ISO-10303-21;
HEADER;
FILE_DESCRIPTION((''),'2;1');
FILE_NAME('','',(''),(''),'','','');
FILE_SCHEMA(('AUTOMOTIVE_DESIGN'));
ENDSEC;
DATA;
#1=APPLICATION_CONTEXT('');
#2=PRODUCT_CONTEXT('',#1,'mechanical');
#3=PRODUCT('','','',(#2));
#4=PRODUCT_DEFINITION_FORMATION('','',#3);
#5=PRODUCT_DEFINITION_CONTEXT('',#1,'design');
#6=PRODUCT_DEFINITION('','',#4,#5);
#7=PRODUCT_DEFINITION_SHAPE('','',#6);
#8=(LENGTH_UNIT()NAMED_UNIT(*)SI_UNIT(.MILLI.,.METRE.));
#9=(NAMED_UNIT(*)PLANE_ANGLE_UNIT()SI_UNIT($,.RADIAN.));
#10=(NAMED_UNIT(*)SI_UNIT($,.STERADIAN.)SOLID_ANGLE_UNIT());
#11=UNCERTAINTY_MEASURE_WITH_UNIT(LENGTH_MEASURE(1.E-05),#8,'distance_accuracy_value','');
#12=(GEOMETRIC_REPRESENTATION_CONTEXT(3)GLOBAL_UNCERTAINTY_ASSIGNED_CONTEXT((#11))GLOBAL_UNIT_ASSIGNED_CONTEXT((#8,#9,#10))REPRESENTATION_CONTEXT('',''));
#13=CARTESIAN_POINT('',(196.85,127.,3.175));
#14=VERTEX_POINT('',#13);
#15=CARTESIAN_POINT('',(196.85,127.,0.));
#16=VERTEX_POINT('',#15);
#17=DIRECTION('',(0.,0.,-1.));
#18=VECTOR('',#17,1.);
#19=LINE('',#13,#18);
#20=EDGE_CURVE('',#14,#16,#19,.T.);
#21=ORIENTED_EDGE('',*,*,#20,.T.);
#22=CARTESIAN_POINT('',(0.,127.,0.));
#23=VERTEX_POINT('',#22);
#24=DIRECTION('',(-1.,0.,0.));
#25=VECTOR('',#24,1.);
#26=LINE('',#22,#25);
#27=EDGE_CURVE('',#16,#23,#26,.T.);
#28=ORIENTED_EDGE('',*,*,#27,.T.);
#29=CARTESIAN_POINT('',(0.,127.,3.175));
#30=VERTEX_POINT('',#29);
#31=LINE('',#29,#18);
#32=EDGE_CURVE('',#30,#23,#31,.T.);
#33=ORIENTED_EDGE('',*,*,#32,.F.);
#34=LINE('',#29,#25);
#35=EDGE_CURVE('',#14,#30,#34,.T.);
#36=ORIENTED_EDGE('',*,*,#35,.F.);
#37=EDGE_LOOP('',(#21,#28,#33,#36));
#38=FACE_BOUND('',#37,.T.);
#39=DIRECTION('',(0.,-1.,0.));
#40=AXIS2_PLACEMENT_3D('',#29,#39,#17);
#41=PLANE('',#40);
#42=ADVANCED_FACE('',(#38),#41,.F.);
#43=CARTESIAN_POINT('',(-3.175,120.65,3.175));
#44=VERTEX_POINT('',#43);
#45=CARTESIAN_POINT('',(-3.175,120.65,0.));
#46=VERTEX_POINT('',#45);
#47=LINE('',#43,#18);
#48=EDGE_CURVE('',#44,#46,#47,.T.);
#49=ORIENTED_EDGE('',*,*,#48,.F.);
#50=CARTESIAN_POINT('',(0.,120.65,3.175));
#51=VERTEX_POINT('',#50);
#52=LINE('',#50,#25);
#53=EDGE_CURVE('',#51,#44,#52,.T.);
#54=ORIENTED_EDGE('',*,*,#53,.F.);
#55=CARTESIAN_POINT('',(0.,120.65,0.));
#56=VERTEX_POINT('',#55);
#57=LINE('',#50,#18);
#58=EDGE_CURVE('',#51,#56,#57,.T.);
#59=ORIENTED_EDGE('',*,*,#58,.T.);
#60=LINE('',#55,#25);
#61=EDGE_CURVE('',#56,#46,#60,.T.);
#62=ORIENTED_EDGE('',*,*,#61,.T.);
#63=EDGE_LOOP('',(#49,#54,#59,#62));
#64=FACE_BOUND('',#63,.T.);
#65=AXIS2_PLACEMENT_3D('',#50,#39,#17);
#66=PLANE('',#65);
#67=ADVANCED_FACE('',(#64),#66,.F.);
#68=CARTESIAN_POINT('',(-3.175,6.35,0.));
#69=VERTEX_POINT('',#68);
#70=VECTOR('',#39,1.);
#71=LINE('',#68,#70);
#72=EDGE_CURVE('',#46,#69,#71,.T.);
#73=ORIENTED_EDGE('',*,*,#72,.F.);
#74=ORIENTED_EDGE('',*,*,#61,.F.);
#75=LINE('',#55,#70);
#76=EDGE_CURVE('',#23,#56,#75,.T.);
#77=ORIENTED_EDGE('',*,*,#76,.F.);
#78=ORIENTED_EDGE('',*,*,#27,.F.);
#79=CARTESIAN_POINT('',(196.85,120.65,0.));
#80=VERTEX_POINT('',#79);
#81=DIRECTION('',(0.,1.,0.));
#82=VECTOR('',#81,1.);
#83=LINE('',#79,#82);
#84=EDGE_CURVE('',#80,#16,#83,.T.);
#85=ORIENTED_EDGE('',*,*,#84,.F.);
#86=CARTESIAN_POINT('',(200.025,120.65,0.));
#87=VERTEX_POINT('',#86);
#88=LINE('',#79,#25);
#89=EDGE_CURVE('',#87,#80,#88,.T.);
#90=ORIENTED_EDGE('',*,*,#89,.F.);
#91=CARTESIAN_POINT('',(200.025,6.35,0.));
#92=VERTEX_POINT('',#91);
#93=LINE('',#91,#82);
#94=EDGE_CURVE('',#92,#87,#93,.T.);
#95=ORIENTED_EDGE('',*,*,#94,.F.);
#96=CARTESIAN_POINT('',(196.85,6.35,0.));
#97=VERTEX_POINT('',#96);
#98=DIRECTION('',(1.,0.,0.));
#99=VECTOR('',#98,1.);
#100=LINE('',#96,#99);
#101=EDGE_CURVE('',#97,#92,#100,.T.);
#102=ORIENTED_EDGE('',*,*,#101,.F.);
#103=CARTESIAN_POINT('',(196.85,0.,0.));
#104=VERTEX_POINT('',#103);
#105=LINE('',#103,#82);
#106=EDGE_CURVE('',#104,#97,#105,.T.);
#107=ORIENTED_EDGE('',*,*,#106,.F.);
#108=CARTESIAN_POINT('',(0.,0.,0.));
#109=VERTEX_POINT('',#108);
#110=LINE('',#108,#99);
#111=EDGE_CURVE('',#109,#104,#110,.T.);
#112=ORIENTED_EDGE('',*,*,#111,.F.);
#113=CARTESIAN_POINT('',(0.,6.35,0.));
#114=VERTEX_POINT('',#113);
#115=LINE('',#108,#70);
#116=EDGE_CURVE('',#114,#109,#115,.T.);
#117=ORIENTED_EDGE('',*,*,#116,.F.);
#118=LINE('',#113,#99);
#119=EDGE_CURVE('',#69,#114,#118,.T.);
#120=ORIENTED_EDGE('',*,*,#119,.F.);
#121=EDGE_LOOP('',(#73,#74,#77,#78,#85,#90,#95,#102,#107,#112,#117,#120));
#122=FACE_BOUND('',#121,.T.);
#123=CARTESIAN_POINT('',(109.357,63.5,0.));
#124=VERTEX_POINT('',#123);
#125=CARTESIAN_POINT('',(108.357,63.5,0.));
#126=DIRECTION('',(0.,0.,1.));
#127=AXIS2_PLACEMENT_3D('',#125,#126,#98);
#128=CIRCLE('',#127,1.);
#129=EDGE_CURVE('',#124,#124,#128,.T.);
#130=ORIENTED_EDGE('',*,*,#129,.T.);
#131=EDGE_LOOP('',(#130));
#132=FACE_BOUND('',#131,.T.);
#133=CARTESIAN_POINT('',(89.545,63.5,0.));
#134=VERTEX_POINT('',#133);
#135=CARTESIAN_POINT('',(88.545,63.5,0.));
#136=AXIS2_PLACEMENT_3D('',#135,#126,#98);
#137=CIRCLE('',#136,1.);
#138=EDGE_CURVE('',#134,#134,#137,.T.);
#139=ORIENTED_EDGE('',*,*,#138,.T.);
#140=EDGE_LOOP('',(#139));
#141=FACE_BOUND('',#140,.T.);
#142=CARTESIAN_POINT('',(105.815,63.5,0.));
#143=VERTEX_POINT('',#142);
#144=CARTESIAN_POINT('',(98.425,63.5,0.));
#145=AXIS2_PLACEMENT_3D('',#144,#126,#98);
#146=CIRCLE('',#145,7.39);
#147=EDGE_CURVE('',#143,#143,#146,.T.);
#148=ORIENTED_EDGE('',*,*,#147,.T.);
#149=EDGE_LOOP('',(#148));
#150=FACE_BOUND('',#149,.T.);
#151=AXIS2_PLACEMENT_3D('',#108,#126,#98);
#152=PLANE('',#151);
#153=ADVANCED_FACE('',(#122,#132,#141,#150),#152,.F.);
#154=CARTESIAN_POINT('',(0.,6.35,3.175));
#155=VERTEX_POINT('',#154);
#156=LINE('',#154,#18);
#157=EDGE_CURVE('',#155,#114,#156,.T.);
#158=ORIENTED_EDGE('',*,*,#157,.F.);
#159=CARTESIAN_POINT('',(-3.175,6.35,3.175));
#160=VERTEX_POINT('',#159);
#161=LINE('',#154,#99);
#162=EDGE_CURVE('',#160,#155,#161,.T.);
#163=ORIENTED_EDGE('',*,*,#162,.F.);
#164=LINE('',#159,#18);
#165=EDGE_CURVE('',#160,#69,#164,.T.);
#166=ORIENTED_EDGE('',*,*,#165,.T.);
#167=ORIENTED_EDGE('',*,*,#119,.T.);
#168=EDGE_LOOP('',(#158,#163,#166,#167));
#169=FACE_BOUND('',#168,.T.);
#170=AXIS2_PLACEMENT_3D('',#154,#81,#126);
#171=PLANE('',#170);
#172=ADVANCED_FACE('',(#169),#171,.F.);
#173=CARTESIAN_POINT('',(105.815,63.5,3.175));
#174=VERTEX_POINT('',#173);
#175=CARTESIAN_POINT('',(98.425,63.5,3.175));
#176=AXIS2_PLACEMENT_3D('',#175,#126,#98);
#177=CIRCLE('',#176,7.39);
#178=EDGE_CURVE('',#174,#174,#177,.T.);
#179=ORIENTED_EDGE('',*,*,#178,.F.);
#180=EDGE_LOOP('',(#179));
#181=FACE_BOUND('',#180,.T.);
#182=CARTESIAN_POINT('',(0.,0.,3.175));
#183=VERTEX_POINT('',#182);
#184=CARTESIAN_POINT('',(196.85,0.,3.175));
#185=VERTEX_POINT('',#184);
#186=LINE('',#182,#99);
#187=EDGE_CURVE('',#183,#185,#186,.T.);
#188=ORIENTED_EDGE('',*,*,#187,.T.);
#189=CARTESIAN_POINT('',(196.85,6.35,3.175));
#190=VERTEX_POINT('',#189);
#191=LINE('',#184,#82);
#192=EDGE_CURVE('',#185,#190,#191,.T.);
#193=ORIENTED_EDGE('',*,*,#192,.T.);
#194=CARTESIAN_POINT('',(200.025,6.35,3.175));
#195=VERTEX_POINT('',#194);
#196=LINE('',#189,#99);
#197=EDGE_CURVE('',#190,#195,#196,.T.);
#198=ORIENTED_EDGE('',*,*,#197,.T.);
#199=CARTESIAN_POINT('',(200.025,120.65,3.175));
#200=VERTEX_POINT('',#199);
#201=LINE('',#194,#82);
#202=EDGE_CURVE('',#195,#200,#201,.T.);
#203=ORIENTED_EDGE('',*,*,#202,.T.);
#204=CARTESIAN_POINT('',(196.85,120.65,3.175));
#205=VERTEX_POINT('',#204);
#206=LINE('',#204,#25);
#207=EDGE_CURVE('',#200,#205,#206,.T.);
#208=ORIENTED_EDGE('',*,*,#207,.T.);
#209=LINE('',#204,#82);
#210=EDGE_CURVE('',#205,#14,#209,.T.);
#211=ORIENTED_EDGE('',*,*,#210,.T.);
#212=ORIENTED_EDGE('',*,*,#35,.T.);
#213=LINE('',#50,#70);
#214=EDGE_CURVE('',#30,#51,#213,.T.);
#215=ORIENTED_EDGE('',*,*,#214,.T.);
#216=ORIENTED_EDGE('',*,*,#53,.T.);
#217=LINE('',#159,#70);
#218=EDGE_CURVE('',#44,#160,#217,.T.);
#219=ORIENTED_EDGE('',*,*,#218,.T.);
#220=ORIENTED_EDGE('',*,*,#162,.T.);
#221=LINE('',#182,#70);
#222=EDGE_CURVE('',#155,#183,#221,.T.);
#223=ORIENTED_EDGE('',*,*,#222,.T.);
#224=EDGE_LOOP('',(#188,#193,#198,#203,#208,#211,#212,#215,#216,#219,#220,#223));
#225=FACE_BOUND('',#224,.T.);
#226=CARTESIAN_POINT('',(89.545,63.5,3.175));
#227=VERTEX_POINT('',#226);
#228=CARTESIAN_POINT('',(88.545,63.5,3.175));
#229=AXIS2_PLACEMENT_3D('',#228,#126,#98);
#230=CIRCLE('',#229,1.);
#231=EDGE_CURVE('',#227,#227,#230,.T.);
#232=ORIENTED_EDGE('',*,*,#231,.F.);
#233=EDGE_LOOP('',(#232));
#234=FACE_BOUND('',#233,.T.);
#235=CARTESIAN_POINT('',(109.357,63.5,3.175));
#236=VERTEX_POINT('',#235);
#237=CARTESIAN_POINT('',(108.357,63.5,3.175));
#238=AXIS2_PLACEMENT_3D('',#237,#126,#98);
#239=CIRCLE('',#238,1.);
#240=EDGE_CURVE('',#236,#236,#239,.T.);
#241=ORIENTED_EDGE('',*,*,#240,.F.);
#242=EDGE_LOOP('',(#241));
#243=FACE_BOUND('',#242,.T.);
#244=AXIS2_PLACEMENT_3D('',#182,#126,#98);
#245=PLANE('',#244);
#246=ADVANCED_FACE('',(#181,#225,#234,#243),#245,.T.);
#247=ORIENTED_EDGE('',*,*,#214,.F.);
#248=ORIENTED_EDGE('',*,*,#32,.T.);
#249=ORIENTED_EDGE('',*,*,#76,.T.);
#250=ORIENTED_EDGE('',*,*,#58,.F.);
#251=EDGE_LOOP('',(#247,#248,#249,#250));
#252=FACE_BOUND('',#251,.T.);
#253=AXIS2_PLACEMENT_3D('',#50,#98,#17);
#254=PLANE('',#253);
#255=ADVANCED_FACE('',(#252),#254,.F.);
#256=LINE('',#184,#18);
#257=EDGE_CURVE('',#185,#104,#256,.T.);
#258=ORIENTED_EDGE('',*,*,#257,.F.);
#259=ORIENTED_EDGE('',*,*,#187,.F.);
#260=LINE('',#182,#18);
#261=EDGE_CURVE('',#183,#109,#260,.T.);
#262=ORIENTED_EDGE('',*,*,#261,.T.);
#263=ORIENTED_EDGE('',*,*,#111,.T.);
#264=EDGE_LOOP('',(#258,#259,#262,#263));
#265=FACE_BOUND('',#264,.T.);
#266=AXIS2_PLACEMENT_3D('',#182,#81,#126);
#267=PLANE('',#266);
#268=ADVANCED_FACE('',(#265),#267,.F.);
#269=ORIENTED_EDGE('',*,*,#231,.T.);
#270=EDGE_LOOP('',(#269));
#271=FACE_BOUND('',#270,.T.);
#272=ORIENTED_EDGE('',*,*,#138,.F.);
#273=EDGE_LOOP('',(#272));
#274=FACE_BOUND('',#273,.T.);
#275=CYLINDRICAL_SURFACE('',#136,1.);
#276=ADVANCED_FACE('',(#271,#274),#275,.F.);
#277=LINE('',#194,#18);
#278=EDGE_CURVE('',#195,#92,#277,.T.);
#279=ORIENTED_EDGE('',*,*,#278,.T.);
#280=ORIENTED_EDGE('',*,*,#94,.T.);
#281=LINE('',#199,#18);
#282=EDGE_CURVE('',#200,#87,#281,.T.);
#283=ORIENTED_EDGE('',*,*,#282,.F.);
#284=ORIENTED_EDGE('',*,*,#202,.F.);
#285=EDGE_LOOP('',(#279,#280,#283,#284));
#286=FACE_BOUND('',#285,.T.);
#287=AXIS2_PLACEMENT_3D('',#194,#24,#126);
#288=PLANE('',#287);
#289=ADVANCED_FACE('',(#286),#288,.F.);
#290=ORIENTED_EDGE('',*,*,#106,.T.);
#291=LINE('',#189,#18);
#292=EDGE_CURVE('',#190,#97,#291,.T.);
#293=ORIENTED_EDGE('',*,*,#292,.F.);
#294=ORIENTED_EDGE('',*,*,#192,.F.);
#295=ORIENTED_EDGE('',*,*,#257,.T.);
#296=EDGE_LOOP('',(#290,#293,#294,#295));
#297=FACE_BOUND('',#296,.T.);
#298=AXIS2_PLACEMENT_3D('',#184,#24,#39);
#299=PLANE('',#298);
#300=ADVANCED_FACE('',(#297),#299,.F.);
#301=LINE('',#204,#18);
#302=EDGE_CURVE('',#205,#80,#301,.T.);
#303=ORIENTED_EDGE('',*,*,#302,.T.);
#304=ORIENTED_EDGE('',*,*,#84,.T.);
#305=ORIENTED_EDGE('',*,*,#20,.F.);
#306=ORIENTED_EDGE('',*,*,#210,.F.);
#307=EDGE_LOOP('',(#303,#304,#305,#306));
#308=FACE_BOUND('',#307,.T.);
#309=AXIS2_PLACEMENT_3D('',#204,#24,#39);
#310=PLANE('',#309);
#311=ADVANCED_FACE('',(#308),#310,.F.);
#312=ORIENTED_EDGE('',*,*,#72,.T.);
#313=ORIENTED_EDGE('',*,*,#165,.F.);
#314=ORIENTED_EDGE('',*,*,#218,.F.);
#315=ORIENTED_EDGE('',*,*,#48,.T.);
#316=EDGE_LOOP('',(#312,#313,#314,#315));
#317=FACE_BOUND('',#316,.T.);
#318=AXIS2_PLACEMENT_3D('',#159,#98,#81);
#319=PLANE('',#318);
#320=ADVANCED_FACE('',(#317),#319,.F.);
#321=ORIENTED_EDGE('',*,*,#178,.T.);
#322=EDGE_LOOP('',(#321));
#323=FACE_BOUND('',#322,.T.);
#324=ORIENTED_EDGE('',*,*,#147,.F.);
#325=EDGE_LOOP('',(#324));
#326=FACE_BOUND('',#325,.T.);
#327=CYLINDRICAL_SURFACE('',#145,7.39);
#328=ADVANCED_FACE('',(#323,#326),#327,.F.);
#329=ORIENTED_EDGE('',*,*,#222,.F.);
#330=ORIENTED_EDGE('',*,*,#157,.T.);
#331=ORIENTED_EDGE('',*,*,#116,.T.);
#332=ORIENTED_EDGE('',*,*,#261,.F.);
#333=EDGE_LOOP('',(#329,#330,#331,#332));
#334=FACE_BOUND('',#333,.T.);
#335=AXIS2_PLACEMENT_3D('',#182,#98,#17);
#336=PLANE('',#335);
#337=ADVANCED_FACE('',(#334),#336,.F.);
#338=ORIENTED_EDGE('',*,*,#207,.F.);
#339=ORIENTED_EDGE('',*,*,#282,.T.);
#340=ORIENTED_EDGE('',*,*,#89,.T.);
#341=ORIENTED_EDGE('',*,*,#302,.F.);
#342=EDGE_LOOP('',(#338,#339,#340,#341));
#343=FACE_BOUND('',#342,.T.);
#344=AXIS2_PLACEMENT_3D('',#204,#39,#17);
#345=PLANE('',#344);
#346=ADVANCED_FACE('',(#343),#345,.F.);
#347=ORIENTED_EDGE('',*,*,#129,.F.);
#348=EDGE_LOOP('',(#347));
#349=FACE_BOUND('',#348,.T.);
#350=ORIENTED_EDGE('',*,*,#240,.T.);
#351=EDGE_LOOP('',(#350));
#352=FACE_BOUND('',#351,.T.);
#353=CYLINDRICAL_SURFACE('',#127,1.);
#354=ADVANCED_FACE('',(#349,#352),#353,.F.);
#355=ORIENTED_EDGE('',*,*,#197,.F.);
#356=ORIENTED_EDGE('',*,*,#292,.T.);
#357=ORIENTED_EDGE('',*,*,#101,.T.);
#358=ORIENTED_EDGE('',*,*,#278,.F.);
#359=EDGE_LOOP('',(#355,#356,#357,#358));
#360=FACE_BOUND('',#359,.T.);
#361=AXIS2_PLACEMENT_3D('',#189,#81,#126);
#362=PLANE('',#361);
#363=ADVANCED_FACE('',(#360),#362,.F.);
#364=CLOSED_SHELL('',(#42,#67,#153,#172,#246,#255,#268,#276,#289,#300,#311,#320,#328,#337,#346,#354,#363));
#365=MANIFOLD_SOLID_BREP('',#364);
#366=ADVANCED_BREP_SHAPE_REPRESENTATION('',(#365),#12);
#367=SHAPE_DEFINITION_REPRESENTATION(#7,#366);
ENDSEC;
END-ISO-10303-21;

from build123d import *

# Parameters (mm, degrees)
BOSS_EXTRUDE1_DEPTH = 3.175
SKETCH3_R           = 7.39
SKETCH3_R_2         = 1
CUT_EXTRUDE1_DEPTH  = 4.175


with BuildPart() as part:
    # Sketch2 → Boss-Extrude1 (new body)
    with BuildSketch(Plane.XY):
        Polygon((0, 120.65), (0, 127), (196.85, 127), (196.85, 120.65), (200.025, 120.65), (200.025, 6.35), (196.85, 6.35), (196.85, 0), (0, 0), (0, 6.35), (-3.175, 6.35), (-3.175, 120.65), align=None)
    extrude(amount=BOSS_EXTRUDE1_DEPTH)

    # Sketch3 → Cut-Extrude1 (cut, through all)
    with BuildSketch(Plane.XY.offset(3.175)):
        with Locations((98.425, 63.5)):
            Circle(SKETCH3_R)
        with Locations((88.545, 63.5)):
            Circle(SKETCH3_R_2)
        with Locations((108.357, 63.5)):
            Circle(SKETCH3_R_2)
    extrude(amount=-CUT_EXTRUDE1_DEPTH, mode=Mode.SUBTRACT)


solid = part.part
